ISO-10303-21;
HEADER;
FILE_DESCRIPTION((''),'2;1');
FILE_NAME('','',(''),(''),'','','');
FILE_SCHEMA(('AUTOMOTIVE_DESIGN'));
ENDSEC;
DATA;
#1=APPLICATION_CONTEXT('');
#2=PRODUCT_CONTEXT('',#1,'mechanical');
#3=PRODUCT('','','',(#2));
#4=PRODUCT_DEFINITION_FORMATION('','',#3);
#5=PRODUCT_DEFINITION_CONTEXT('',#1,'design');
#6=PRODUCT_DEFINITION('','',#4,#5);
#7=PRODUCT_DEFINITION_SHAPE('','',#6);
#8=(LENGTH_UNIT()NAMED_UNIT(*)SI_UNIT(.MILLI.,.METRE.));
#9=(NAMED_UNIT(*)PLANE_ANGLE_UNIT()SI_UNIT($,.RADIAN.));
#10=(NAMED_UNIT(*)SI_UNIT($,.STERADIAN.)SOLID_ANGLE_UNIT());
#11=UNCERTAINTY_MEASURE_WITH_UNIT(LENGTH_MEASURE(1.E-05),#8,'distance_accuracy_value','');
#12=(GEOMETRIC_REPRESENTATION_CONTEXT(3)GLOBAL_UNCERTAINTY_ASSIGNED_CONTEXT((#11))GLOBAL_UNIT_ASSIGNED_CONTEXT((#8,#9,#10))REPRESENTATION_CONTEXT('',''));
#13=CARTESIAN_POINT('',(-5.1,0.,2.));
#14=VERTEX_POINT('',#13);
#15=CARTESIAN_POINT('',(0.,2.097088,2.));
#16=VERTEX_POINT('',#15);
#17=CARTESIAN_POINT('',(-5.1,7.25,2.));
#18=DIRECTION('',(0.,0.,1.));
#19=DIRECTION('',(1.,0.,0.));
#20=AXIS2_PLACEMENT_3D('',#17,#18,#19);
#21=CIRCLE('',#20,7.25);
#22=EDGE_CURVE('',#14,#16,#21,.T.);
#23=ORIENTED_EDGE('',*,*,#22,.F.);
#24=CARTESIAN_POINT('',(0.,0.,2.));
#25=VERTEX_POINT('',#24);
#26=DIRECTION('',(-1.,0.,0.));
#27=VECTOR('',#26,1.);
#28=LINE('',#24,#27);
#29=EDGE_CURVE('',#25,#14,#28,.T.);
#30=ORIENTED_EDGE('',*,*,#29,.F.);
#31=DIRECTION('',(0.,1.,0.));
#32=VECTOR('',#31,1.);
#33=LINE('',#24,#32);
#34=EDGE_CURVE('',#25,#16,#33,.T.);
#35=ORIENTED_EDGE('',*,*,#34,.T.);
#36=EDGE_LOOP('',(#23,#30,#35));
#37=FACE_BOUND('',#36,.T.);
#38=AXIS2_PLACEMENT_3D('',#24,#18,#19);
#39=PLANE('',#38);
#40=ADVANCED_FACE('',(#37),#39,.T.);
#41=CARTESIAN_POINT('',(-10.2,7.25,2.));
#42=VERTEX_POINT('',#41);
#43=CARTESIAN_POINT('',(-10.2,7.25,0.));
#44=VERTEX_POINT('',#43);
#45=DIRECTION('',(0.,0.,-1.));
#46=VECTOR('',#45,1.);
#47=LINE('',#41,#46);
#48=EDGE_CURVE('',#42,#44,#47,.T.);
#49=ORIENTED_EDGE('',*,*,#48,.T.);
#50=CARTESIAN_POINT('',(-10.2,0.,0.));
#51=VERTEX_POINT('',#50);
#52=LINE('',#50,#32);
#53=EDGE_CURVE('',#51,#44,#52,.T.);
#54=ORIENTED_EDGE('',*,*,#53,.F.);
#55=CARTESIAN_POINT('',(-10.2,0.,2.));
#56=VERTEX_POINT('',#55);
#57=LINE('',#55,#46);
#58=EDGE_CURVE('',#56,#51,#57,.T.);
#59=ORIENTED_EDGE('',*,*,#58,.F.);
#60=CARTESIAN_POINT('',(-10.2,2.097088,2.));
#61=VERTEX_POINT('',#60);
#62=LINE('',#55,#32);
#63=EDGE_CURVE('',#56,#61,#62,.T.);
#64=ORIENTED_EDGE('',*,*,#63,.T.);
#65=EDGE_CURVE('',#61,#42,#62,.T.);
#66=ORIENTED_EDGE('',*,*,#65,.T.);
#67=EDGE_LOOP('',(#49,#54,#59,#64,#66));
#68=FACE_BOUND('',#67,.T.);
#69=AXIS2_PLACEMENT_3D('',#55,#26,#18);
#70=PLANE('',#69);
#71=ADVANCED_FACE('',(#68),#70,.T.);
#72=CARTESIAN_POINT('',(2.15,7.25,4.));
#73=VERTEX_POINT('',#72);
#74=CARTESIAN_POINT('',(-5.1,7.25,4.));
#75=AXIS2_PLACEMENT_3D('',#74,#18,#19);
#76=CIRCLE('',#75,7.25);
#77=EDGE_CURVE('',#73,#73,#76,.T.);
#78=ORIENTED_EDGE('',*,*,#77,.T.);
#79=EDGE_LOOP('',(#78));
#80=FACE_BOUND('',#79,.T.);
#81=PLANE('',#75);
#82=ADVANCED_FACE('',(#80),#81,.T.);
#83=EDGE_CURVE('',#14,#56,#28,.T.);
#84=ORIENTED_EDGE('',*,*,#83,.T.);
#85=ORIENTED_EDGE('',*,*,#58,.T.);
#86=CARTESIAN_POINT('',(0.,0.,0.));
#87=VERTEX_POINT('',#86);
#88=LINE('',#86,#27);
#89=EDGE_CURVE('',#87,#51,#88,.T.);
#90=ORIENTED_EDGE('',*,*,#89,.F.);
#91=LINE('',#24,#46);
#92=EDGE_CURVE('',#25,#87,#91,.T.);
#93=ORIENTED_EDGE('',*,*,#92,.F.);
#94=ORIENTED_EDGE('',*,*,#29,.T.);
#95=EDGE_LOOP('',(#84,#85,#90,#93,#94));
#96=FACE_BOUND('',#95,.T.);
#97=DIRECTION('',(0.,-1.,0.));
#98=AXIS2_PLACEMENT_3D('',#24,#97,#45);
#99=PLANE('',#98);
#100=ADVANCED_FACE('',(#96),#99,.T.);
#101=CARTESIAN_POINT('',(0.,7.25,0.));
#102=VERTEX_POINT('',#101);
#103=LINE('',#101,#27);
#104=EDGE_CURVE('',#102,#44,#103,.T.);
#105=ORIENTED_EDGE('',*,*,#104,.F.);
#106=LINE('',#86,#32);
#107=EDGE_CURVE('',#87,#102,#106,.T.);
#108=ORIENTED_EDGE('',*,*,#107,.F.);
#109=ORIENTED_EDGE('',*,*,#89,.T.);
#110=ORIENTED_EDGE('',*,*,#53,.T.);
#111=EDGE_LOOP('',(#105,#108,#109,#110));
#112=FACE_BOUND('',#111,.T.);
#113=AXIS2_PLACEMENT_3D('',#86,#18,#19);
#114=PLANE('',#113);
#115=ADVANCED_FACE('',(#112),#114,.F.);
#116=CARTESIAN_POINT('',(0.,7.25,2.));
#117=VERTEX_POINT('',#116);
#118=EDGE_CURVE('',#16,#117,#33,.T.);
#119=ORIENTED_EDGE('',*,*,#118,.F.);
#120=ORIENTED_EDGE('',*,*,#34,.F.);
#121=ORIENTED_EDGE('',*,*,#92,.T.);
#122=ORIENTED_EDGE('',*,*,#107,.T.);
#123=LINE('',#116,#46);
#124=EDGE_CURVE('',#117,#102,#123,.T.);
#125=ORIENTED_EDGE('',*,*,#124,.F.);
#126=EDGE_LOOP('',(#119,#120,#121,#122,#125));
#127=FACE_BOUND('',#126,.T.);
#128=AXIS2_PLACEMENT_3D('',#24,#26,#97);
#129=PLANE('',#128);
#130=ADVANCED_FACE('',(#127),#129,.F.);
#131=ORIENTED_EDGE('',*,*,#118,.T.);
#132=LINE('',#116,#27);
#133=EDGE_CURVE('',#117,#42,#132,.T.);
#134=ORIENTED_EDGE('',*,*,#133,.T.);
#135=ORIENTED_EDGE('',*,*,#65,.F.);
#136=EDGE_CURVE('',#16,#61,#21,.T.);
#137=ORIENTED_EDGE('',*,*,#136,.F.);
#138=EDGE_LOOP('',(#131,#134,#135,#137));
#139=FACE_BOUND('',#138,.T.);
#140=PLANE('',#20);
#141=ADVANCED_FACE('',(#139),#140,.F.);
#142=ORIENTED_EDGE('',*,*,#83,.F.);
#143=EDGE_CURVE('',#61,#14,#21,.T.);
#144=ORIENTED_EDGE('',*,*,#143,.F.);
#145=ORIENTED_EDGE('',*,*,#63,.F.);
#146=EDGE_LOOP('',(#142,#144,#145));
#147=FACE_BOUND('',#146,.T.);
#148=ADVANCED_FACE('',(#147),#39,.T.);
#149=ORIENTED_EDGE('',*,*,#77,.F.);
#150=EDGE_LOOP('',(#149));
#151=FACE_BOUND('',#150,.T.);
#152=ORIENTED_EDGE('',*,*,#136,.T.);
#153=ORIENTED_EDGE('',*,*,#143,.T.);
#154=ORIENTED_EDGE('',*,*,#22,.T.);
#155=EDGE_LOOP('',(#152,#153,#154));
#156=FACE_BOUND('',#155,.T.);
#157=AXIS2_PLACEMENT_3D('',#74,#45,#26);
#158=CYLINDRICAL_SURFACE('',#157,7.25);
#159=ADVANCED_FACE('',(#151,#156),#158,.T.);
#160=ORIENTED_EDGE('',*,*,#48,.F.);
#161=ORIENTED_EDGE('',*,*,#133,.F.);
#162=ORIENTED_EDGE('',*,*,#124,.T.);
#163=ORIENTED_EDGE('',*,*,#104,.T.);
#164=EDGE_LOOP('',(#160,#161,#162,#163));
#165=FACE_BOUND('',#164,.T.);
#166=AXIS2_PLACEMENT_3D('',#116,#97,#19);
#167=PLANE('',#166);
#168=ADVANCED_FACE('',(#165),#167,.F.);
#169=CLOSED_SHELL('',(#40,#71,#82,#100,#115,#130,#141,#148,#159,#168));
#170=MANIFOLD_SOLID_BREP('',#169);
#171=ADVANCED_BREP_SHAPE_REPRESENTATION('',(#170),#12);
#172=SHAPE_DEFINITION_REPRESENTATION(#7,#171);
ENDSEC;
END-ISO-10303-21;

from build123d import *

# Parameters (mm, degrees)
SKETCH_1_W      = 10.2
SKETCH_1_H      = 7.25
EXTRUDE_1_DEPTH = 2
SKETCH_2_R      = 7.25
EXTRUDE_2_DEPTH = 2


with BuildPart() as part:
    # 草图1 → 凸台-拉伸1 (new body)
    with BuildSketch(Plane.XY):
        with Locations((-5.1, 3.625)):
            Rectangle(SKETCH_1_W, SKETCH_1_H)
    extrude(amount=EXTRUDE_1_DEPTH)

    # 草图2 → 凸台-拉伸2 (add)
    with BuildSketch(Plane.XY.offset(2)):
        with Locations(Location((-5.1, 7.25, 0), (0, 0, 225.295681448))):
            Circle(SKETCH_2_R)
    extrude(amount=EXTRUDE_2_DEPTH)


solid = part.part
